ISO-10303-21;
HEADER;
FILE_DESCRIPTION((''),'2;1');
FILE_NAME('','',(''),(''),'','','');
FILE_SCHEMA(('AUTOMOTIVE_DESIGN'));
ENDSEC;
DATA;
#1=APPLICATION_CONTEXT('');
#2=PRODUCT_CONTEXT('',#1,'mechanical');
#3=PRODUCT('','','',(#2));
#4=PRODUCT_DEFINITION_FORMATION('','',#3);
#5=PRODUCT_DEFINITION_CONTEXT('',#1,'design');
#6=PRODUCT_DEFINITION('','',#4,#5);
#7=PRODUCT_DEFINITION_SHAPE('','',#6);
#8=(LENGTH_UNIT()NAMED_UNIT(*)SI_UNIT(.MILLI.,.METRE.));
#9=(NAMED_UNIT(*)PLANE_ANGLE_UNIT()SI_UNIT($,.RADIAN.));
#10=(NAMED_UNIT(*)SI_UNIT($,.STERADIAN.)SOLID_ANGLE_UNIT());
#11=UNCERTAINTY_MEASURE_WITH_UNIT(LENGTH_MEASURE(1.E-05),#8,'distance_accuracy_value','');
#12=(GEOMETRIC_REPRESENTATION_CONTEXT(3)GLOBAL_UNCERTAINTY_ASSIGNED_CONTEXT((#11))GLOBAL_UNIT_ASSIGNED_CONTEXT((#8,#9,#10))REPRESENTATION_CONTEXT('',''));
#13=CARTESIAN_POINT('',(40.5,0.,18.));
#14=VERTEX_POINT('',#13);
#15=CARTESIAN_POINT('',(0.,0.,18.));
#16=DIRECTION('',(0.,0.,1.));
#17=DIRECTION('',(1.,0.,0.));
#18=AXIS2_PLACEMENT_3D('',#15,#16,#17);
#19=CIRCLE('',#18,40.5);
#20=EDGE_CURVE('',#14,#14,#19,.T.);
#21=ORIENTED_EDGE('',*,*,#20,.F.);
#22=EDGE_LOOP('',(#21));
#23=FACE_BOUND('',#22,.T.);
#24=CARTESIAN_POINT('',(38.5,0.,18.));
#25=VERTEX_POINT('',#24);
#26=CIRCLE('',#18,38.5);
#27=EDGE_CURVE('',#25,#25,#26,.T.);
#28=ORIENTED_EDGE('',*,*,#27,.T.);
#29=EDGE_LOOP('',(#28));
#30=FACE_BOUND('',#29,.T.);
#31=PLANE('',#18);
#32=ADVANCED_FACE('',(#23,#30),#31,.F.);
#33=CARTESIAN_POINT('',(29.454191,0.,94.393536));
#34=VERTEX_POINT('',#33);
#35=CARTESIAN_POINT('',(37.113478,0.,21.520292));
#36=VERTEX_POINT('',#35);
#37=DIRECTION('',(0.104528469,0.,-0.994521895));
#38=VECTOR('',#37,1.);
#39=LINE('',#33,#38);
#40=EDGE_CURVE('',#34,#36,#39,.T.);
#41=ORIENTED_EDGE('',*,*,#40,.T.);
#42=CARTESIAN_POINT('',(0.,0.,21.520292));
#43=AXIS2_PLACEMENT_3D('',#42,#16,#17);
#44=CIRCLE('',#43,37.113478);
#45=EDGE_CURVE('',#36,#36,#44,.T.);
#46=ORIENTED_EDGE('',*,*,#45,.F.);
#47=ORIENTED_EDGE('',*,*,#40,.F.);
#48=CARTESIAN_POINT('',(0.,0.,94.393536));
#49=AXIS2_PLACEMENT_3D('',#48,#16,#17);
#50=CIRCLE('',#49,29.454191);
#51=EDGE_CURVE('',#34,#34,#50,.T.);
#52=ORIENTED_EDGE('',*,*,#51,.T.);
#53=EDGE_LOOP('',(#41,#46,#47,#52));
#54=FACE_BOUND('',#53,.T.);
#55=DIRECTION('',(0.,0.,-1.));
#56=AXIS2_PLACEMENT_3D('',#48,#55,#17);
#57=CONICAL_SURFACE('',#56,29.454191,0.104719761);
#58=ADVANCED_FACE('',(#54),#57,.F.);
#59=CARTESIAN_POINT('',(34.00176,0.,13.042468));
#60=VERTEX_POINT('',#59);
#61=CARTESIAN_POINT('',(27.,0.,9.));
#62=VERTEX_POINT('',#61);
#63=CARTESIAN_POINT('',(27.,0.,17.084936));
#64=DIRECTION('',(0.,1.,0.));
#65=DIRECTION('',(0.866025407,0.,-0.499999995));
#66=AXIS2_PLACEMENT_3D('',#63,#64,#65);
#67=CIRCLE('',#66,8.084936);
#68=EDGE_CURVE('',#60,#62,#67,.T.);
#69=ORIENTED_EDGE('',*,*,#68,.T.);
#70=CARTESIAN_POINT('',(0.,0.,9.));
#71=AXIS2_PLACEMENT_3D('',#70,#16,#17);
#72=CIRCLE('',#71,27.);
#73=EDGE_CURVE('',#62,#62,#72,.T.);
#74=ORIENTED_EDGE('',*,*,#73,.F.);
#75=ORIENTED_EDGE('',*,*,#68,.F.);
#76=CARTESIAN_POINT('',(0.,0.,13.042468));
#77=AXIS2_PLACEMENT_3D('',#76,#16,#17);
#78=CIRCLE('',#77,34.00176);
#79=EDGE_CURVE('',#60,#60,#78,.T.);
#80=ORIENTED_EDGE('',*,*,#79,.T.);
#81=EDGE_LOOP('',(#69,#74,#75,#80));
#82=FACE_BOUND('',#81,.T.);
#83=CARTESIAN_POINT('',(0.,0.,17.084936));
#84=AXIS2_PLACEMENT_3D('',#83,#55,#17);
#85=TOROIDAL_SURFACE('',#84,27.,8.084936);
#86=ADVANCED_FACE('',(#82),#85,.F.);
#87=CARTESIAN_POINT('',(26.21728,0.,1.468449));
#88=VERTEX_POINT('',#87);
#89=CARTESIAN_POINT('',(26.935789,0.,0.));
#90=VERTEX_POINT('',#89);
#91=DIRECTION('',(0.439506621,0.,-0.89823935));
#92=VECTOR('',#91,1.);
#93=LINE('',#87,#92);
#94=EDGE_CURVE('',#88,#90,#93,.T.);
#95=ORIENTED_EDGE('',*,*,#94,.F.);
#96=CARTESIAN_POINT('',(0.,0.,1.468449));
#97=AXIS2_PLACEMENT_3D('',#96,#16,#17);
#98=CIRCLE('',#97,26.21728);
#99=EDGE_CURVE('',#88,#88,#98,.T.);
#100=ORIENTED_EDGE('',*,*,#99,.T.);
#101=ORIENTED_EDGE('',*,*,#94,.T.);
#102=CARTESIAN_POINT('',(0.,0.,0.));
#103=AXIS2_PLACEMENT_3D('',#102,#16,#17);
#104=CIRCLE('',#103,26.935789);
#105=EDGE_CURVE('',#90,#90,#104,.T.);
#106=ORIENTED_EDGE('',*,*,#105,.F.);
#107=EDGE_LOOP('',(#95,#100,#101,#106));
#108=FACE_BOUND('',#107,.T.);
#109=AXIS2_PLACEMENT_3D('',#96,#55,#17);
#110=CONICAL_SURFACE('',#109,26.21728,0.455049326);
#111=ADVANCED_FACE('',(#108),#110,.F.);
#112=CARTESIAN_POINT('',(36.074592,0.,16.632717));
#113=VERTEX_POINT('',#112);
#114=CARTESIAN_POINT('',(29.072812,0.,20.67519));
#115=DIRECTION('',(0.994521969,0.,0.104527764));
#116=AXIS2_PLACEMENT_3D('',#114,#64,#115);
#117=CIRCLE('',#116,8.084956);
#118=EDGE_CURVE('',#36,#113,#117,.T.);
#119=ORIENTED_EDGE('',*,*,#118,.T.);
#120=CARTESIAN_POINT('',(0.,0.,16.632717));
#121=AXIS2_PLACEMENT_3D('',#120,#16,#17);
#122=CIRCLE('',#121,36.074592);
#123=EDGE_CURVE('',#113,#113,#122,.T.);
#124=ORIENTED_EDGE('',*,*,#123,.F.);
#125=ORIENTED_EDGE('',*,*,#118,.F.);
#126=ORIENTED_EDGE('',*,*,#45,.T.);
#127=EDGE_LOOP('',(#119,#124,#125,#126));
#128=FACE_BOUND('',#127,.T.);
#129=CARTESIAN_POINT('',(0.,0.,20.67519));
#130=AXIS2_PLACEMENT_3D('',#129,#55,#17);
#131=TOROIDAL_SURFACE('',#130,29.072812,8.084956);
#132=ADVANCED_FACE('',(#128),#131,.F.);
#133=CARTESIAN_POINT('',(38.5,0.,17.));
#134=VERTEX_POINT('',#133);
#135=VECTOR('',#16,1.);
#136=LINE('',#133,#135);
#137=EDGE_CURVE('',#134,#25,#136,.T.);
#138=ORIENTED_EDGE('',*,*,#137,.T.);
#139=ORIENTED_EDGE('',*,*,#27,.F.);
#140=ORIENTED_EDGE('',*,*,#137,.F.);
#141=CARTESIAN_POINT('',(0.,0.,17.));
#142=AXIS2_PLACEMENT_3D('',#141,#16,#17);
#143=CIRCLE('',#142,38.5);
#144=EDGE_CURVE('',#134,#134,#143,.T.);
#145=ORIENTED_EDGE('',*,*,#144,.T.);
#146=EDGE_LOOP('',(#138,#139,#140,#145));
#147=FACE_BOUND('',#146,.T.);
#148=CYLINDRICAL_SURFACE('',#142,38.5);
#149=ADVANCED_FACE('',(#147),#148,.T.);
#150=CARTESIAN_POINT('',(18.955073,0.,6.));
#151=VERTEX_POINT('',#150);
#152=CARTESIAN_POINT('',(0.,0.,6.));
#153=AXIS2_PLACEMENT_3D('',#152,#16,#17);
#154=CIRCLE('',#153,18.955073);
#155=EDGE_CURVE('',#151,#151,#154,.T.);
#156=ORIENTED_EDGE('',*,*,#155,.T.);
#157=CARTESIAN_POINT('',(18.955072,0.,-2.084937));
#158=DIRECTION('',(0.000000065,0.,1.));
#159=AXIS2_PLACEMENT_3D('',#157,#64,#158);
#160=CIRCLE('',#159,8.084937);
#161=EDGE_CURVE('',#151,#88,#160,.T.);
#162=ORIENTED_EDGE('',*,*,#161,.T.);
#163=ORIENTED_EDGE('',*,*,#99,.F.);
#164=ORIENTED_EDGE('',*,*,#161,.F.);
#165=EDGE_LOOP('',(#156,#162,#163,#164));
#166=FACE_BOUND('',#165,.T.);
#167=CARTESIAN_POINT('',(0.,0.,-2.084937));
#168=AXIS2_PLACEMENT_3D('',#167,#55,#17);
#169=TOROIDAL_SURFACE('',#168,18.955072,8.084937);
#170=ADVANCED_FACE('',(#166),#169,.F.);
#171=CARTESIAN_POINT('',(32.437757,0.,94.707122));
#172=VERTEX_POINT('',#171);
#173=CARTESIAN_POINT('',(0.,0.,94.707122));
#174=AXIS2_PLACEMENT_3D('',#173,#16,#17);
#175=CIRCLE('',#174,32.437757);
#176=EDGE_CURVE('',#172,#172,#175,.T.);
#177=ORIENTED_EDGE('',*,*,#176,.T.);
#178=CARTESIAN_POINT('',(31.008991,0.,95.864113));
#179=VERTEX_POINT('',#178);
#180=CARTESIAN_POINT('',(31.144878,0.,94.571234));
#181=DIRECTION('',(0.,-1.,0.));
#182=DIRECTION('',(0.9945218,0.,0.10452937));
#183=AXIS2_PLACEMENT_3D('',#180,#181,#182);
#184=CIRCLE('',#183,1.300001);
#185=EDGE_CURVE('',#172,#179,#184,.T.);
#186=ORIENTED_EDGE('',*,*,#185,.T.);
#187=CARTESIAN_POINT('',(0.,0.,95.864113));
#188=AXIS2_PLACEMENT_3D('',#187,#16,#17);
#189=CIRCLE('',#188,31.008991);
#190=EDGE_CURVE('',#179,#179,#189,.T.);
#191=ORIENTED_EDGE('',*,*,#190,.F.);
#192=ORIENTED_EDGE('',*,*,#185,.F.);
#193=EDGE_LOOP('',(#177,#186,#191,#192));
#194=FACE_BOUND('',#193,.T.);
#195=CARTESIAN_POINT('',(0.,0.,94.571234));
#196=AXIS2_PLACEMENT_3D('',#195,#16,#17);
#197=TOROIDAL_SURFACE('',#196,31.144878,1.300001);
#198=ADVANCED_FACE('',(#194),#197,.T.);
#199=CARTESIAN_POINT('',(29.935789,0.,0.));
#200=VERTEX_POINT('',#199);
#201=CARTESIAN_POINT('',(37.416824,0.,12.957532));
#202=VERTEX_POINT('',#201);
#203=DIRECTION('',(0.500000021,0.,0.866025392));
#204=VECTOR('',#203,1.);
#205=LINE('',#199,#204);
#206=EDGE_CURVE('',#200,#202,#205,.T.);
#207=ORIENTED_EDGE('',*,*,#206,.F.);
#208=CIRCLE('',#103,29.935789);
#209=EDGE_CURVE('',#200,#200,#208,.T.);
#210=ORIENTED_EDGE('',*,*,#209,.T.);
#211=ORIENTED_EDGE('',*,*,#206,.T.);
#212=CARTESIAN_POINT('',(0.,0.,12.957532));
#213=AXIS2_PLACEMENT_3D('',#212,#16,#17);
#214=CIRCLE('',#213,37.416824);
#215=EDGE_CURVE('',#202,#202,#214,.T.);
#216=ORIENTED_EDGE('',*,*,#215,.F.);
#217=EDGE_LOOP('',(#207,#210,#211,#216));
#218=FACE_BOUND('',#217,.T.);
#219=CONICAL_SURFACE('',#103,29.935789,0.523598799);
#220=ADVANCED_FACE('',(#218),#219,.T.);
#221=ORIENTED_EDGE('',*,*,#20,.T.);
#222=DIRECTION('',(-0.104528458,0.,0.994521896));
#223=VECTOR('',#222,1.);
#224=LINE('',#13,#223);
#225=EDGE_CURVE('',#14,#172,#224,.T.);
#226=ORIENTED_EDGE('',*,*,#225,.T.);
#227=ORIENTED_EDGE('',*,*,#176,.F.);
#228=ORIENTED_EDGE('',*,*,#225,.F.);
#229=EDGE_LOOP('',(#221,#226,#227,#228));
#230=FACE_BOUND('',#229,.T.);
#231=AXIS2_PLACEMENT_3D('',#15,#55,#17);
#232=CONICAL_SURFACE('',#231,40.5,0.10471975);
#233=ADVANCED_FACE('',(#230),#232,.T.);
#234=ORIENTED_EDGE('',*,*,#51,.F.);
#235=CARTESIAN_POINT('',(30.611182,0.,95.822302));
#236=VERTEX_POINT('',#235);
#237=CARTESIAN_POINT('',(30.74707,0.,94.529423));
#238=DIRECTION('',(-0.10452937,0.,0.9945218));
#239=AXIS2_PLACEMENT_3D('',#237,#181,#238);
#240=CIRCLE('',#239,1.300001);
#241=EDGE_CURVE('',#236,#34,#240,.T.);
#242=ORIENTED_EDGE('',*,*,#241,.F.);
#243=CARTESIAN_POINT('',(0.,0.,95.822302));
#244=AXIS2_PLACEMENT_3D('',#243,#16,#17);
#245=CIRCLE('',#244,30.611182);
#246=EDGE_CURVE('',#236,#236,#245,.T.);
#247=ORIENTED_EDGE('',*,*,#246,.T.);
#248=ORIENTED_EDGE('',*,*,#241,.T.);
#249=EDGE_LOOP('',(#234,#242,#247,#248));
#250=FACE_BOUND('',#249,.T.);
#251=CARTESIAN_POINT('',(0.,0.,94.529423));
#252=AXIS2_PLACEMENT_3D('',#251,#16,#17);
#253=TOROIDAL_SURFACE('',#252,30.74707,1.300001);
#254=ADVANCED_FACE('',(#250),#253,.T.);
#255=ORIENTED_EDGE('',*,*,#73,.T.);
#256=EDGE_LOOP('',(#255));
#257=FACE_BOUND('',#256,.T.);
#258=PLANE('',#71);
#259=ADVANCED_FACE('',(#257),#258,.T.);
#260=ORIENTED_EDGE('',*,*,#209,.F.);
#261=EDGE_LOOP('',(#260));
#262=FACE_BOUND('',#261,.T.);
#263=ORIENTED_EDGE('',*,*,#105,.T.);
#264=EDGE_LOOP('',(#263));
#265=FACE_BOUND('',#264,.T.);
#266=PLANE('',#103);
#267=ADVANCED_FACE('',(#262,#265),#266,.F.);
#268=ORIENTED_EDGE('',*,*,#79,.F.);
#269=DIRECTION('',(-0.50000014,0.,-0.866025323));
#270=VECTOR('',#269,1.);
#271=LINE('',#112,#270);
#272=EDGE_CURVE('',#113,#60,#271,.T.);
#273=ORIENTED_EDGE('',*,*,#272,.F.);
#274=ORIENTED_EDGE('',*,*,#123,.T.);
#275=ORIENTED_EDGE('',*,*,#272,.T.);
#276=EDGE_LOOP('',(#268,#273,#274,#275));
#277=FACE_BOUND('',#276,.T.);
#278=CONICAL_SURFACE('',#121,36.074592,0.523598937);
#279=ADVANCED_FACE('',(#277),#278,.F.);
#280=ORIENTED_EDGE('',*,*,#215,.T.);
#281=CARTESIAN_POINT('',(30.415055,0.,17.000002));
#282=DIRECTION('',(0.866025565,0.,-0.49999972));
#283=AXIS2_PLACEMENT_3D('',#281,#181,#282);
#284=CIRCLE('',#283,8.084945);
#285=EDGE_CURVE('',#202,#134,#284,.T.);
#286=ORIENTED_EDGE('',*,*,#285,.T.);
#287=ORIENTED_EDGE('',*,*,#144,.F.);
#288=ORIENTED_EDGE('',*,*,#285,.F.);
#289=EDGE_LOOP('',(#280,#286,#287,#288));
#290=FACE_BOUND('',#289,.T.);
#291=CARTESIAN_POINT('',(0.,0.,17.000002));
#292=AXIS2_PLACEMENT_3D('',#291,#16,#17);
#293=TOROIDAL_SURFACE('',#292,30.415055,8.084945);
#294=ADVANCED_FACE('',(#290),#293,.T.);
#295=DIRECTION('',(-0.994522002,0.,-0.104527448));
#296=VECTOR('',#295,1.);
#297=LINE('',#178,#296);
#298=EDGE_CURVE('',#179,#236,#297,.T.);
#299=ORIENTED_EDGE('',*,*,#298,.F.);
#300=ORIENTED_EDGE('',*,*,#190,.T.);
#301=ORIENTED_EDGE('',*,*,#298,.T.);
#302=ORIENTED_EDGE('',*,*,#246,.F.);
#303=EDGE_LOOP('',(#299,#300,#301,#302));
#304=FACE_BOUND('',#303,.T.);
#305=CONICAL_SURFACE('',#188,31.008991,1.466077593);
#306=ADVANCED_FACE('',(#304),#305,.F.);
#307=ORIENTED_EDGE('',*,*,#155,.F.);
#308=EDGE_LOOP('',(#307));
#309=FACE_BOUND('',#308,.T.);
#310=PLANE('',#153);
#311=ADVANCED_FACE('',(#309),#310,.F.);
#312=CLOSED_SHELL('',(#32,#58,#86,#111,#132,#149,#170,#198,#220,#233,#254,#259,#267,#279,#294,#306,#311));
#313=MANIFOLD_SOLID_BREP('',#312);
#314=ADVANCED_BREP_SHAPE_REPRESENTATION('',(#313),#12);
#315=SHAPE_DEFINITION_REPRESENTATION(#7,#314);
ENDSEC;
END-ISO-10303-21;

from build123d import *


with BuildPart() as f1:
    # F0 (on Front) → F1 (revolve)
    with BuildSketch(Plane.XZ):
        with BuildLine():
            Line((0, 9), (0, 6))
            Line((0, 6), (18.955073, 6))
            ThreePointArc((18.955073, 6), (23.235102, 4.774185), (26.21728, 1.468449))
            Line((26.21728, 1.468449), (26.935789, 0))
            Line((26.935789, 0), (29.935789, 0))
            Line((29.935789, 0), (37.416824, 12.957532))
            ThreePointArc((37.416824, 12.957532), (38.224512, 14.907464), (38.5, 17))
            Line((38.5, 17), (38.5, 18))
            Line((38.5, 18), (40.5, 18))
            Line((40.5, 18), (32.437757, 94.707122))
            ThreePointArc((32.437757, 94.707122), (31.962995, 95.581524), (31.008991, 95.864113))
            Line((31.008991, 95.864113), (30.611182, 95.822302))
            ThreePointArc((30.611182, 95.822302), (29.73678, 95.34754), (29.454191, 94.393536))
            Line((29.454191, 94.393536), (37.113478, 21.520292))
            ThreePointArc((37.113478, 21.520292), (36.981092, 18.994233), (36.074592, 16.632717))
            Line((36.074592, 16.632717), (34.00176, 13.042468))
            ThreePointArc((34.00176, 13.042468), (31.042468, 10.083176), (27, 9))
            Line((27, 9), (0, 9))
        make_face()
    revolve(axis=Axis((0, 0, 47.353561), (0, 0, 1)))


solid = f1.part
